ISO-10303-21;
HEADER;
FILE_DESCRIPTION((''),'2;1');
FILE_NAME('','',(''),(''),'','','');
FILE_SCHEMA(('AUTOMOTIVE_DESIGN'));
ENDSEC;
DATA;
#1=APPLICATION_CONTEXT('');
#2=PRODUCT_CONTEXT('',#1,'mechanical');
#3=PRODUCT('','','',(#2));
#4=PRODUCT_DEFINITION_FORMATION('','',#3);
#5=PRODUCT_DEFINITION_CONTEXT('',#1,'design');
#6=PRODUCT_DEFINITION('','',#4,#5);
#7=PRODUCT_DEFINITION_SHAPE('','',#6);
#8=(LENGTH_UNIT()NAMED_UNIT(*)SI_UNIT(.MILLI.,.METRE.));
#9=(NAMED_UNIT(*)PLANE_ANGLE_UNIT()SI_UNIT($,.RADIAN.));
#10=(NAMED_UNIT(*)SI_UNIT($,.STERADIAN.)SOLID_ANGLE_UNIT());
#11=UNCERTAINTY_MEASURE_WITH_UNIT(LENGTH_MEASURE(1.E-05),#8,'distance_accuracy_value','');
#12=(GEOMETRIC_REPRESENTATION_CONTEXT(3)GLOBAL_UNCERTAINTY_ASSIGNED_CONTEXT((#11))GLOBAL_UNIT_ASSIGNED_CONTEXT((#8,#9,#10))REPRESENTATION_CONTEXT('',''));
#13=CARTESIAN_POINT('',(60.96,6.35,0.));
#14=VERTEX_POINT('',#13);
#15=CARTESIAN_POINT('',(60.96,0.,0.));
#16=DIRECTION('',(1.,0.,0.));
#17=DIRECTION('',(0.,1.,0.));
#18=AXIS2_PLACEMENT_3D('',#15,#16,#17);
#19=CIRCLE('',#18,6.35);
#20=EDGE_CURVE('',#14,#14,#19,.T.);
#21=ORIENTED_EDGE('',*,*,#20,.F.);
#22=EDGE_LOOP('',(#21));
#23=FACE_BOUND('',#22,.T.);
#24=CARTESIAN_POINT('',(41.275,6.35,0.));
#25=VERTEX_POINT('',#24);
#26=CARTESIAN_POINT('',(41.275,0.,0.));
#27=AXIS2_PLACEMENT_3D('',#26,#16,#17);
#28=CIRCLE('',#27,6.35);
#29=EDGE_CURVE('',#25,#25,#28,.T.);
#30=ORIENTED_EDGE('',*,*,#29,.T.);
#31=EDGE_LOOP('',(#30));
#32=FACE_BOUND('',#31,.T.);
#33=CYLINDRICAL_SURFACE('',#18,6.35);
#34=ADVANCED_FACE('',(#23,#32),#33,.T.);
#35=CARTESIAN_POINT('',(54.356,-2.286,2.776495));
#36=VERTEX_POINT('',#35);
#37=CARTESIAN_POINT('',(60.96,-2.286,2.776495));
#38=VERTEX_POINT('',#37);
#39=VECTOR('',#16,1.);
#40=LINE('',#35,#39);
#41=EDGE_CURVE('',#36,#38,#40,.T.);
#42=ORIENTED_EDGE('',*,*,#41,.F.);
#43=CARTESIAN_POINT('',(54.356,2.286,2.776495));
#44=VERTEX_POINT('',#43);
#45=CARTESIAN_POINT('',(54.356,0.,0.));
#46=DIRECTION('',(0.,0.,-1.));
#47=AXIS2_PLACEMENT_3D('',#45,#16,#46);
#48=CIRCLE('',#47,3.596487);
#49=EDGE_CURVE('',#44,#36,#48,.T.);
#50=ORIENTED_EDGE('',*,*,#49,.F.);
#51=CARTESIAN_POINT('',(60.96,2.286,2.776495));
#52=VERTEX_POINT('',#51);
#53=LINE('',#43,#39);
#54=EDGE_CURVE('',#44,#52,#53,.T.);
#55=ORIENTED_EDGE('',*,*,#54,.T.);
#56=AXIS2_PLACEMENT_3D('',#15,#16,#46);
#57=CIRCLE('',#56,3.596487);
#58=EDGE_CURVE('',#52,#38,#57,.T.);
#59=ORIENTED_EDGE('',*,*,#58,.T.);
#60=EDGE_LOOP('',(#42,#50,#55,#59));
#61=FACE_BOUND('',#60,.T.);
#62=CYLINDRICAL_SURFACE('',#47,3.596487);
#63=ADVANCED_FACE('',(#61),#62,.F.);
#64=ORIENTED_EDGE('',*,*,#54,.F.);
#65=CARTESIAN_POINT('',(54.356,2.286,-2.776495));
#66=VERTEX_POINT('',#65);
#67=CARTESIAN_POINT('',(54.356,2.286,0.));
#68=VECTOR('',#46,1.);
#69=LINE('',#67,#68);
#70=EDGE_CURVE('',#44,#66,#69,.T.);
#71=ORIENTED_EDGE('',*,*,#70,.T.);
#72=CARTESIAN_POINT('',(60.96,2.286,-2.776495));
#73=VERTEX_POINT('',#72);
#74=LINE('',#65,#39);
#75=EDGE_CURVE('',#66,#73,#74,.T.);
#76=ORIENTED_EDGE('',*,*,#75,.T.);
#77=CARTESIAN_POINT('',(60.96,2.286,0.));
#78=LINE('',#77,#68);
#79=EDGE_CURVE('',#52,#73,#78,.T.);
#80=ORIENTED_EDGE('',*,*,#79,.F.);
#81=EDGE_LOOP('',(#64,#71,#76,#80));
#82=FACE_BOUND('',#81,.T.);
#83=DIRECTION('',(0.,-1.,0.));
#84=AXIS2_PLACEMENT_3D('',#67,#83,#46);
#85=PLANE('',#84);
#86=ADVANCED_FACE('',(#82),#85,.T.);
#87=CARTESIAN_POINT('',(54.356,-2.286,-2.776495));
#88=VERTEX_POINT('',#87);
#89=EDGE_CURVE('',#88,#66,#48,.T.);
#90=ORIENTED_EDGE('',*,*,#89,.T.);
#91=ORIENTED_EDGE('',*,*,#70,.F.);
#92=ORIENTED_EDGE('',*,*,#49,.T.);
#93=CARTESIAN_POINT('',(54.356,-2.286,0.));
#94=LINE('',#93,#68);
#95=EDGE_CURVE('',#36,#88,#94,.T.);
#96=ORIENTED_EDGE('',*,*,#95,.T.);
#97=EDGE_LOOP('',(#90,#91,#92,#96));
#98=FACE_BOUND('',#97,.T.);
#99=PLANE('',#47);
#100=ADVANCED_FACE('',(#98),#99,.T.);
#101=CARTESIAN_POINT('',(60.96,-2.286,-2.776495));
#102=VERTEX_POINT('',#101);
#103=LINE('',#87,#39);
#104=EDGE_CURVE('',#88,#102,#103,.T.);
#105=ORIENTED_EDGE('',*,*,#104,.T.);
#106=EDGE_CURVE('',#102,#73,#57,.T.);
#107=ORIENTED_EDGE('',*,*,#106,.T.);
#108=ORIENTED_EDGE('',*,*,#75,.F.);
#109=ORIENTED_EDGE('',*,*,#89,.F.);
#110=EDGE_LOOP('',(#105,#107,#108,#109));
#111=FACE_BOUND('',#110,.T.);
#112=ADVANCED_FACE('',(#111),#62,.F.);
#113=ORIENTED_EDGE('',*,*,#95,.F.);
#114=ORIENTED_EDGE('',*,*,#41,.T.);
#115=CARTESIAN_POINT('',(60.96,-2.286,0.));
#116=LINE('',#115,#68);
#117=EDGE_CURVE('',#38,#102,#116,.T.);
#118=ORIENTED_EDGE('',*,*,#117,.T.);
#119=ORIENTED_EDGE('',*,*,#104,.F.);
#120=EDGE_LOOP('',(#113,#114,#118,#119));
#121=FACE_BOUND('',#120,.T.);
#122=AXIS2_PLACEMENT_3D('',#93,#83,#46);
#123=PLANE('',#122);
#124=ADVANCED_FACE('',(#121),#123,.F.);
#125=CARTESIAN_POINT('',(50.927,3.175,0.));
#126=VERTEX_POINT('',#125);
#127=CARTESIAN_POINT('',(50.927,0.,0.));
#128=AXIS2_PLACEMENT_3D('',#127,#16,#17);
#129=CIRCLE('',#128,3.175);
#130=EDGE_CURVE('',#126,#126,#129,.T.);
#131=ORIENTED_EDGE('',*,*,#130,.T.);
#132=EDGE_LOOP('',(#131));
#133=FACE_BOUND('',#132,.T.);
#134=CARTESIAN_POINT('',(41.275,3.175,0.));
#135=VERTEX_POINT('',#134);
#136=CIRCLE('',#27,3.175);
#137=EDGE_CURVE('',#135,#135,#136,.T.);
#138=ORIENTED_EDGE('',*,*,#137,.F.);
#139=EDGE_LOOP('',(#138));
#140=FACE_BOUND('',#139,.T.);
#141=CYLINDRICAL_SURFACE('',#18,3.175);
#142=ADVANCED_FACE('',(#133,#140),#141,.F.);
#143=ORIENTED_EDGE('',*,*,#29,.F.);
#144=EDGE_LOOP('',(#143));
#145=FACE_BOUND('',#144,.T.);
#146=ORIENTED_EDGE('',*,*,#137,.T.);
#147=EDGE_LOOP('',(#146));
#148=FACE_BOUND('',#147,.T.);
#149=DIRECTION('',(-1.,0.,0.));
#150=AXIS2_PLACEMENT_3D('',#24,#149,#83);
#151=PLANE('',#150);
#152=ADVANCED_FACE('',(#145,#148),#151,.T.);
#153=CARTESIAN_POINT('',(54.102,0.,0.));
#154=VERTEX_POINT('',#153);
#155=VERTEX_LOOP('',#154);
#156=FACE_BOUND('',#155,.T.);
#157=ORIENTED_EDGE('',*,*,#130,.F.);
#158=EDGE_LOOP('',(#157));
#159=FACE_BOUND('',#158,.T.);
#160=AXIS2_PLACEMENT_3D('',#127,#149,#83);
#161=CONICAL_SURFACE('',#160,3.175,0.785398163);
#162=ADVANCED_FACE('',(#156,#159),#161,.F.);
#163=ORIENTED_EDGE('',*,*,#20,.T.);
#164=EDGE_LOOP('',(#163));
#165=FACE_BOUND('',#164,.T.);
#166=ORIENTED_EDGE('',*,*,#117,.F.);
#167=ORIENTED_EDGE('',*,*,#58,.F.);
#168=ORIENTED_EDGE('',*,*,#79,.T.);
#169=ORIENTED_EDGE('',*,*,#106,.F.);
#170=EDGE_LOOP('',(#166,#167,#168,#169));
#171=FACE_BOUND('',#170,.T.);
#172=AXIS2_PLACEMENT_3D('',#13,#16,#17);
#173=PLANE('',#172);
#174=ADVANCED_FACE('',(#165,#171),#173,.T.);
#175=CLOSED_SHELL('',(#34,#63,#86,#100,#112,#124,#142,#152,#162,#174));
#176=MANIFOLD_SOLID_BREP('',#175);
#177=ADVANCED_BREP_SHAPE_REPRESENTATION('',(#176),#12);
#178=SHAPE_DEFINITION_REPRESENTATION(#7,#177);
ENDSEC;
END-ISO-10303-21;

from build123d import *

# Parameters (mm, degrees)
CUT_EXTRUDE2_DEPTH = 6.604


with BuildPart() as part:
    # Sketch2 → Revolve1 (revolve)
    with BuildSketch(Plane.XY):
        Polygon((60.96, 6.35), (60.96, 0), (54.102, 0), (50.927, 3.175), (41.275, 3.175), (41.275, 6.35), align=None)
    revolve(axis=Axis((60.96, 0, 0), (-1, 0, 0)))

    # Sketch8 → Cut-Extrude2 (cut)
    with BuildSketch(Plane(origin=(60.96, 0, 0), x_dir=(0, 0, -1), z_dir=(1, 0, 0))):
        with BuildLine():
            Line((2.776494522, 2.286), (-2.776494522, 2.286))
            ThreePointArc((-2.776494522, 2.286), (-3.596486873, 0), (-2.776494522, -2.286))
            Line((-2.776494522, -2.286), (2.776494522, -2.286))
            ThreePointArc((2.776494522, -2.286), (3.385287575, -1.214308801), (3.596486873, 0))
            ThreePointArc((3.596486873, 0), (3.385287575, 1.214308801), (2.776494522, 2.286))
        make_face()
    extrude(amount=-CUT_EXTRUDE2_DEPTH, mode=Mode.SUBTRACT)


solid = part.part
